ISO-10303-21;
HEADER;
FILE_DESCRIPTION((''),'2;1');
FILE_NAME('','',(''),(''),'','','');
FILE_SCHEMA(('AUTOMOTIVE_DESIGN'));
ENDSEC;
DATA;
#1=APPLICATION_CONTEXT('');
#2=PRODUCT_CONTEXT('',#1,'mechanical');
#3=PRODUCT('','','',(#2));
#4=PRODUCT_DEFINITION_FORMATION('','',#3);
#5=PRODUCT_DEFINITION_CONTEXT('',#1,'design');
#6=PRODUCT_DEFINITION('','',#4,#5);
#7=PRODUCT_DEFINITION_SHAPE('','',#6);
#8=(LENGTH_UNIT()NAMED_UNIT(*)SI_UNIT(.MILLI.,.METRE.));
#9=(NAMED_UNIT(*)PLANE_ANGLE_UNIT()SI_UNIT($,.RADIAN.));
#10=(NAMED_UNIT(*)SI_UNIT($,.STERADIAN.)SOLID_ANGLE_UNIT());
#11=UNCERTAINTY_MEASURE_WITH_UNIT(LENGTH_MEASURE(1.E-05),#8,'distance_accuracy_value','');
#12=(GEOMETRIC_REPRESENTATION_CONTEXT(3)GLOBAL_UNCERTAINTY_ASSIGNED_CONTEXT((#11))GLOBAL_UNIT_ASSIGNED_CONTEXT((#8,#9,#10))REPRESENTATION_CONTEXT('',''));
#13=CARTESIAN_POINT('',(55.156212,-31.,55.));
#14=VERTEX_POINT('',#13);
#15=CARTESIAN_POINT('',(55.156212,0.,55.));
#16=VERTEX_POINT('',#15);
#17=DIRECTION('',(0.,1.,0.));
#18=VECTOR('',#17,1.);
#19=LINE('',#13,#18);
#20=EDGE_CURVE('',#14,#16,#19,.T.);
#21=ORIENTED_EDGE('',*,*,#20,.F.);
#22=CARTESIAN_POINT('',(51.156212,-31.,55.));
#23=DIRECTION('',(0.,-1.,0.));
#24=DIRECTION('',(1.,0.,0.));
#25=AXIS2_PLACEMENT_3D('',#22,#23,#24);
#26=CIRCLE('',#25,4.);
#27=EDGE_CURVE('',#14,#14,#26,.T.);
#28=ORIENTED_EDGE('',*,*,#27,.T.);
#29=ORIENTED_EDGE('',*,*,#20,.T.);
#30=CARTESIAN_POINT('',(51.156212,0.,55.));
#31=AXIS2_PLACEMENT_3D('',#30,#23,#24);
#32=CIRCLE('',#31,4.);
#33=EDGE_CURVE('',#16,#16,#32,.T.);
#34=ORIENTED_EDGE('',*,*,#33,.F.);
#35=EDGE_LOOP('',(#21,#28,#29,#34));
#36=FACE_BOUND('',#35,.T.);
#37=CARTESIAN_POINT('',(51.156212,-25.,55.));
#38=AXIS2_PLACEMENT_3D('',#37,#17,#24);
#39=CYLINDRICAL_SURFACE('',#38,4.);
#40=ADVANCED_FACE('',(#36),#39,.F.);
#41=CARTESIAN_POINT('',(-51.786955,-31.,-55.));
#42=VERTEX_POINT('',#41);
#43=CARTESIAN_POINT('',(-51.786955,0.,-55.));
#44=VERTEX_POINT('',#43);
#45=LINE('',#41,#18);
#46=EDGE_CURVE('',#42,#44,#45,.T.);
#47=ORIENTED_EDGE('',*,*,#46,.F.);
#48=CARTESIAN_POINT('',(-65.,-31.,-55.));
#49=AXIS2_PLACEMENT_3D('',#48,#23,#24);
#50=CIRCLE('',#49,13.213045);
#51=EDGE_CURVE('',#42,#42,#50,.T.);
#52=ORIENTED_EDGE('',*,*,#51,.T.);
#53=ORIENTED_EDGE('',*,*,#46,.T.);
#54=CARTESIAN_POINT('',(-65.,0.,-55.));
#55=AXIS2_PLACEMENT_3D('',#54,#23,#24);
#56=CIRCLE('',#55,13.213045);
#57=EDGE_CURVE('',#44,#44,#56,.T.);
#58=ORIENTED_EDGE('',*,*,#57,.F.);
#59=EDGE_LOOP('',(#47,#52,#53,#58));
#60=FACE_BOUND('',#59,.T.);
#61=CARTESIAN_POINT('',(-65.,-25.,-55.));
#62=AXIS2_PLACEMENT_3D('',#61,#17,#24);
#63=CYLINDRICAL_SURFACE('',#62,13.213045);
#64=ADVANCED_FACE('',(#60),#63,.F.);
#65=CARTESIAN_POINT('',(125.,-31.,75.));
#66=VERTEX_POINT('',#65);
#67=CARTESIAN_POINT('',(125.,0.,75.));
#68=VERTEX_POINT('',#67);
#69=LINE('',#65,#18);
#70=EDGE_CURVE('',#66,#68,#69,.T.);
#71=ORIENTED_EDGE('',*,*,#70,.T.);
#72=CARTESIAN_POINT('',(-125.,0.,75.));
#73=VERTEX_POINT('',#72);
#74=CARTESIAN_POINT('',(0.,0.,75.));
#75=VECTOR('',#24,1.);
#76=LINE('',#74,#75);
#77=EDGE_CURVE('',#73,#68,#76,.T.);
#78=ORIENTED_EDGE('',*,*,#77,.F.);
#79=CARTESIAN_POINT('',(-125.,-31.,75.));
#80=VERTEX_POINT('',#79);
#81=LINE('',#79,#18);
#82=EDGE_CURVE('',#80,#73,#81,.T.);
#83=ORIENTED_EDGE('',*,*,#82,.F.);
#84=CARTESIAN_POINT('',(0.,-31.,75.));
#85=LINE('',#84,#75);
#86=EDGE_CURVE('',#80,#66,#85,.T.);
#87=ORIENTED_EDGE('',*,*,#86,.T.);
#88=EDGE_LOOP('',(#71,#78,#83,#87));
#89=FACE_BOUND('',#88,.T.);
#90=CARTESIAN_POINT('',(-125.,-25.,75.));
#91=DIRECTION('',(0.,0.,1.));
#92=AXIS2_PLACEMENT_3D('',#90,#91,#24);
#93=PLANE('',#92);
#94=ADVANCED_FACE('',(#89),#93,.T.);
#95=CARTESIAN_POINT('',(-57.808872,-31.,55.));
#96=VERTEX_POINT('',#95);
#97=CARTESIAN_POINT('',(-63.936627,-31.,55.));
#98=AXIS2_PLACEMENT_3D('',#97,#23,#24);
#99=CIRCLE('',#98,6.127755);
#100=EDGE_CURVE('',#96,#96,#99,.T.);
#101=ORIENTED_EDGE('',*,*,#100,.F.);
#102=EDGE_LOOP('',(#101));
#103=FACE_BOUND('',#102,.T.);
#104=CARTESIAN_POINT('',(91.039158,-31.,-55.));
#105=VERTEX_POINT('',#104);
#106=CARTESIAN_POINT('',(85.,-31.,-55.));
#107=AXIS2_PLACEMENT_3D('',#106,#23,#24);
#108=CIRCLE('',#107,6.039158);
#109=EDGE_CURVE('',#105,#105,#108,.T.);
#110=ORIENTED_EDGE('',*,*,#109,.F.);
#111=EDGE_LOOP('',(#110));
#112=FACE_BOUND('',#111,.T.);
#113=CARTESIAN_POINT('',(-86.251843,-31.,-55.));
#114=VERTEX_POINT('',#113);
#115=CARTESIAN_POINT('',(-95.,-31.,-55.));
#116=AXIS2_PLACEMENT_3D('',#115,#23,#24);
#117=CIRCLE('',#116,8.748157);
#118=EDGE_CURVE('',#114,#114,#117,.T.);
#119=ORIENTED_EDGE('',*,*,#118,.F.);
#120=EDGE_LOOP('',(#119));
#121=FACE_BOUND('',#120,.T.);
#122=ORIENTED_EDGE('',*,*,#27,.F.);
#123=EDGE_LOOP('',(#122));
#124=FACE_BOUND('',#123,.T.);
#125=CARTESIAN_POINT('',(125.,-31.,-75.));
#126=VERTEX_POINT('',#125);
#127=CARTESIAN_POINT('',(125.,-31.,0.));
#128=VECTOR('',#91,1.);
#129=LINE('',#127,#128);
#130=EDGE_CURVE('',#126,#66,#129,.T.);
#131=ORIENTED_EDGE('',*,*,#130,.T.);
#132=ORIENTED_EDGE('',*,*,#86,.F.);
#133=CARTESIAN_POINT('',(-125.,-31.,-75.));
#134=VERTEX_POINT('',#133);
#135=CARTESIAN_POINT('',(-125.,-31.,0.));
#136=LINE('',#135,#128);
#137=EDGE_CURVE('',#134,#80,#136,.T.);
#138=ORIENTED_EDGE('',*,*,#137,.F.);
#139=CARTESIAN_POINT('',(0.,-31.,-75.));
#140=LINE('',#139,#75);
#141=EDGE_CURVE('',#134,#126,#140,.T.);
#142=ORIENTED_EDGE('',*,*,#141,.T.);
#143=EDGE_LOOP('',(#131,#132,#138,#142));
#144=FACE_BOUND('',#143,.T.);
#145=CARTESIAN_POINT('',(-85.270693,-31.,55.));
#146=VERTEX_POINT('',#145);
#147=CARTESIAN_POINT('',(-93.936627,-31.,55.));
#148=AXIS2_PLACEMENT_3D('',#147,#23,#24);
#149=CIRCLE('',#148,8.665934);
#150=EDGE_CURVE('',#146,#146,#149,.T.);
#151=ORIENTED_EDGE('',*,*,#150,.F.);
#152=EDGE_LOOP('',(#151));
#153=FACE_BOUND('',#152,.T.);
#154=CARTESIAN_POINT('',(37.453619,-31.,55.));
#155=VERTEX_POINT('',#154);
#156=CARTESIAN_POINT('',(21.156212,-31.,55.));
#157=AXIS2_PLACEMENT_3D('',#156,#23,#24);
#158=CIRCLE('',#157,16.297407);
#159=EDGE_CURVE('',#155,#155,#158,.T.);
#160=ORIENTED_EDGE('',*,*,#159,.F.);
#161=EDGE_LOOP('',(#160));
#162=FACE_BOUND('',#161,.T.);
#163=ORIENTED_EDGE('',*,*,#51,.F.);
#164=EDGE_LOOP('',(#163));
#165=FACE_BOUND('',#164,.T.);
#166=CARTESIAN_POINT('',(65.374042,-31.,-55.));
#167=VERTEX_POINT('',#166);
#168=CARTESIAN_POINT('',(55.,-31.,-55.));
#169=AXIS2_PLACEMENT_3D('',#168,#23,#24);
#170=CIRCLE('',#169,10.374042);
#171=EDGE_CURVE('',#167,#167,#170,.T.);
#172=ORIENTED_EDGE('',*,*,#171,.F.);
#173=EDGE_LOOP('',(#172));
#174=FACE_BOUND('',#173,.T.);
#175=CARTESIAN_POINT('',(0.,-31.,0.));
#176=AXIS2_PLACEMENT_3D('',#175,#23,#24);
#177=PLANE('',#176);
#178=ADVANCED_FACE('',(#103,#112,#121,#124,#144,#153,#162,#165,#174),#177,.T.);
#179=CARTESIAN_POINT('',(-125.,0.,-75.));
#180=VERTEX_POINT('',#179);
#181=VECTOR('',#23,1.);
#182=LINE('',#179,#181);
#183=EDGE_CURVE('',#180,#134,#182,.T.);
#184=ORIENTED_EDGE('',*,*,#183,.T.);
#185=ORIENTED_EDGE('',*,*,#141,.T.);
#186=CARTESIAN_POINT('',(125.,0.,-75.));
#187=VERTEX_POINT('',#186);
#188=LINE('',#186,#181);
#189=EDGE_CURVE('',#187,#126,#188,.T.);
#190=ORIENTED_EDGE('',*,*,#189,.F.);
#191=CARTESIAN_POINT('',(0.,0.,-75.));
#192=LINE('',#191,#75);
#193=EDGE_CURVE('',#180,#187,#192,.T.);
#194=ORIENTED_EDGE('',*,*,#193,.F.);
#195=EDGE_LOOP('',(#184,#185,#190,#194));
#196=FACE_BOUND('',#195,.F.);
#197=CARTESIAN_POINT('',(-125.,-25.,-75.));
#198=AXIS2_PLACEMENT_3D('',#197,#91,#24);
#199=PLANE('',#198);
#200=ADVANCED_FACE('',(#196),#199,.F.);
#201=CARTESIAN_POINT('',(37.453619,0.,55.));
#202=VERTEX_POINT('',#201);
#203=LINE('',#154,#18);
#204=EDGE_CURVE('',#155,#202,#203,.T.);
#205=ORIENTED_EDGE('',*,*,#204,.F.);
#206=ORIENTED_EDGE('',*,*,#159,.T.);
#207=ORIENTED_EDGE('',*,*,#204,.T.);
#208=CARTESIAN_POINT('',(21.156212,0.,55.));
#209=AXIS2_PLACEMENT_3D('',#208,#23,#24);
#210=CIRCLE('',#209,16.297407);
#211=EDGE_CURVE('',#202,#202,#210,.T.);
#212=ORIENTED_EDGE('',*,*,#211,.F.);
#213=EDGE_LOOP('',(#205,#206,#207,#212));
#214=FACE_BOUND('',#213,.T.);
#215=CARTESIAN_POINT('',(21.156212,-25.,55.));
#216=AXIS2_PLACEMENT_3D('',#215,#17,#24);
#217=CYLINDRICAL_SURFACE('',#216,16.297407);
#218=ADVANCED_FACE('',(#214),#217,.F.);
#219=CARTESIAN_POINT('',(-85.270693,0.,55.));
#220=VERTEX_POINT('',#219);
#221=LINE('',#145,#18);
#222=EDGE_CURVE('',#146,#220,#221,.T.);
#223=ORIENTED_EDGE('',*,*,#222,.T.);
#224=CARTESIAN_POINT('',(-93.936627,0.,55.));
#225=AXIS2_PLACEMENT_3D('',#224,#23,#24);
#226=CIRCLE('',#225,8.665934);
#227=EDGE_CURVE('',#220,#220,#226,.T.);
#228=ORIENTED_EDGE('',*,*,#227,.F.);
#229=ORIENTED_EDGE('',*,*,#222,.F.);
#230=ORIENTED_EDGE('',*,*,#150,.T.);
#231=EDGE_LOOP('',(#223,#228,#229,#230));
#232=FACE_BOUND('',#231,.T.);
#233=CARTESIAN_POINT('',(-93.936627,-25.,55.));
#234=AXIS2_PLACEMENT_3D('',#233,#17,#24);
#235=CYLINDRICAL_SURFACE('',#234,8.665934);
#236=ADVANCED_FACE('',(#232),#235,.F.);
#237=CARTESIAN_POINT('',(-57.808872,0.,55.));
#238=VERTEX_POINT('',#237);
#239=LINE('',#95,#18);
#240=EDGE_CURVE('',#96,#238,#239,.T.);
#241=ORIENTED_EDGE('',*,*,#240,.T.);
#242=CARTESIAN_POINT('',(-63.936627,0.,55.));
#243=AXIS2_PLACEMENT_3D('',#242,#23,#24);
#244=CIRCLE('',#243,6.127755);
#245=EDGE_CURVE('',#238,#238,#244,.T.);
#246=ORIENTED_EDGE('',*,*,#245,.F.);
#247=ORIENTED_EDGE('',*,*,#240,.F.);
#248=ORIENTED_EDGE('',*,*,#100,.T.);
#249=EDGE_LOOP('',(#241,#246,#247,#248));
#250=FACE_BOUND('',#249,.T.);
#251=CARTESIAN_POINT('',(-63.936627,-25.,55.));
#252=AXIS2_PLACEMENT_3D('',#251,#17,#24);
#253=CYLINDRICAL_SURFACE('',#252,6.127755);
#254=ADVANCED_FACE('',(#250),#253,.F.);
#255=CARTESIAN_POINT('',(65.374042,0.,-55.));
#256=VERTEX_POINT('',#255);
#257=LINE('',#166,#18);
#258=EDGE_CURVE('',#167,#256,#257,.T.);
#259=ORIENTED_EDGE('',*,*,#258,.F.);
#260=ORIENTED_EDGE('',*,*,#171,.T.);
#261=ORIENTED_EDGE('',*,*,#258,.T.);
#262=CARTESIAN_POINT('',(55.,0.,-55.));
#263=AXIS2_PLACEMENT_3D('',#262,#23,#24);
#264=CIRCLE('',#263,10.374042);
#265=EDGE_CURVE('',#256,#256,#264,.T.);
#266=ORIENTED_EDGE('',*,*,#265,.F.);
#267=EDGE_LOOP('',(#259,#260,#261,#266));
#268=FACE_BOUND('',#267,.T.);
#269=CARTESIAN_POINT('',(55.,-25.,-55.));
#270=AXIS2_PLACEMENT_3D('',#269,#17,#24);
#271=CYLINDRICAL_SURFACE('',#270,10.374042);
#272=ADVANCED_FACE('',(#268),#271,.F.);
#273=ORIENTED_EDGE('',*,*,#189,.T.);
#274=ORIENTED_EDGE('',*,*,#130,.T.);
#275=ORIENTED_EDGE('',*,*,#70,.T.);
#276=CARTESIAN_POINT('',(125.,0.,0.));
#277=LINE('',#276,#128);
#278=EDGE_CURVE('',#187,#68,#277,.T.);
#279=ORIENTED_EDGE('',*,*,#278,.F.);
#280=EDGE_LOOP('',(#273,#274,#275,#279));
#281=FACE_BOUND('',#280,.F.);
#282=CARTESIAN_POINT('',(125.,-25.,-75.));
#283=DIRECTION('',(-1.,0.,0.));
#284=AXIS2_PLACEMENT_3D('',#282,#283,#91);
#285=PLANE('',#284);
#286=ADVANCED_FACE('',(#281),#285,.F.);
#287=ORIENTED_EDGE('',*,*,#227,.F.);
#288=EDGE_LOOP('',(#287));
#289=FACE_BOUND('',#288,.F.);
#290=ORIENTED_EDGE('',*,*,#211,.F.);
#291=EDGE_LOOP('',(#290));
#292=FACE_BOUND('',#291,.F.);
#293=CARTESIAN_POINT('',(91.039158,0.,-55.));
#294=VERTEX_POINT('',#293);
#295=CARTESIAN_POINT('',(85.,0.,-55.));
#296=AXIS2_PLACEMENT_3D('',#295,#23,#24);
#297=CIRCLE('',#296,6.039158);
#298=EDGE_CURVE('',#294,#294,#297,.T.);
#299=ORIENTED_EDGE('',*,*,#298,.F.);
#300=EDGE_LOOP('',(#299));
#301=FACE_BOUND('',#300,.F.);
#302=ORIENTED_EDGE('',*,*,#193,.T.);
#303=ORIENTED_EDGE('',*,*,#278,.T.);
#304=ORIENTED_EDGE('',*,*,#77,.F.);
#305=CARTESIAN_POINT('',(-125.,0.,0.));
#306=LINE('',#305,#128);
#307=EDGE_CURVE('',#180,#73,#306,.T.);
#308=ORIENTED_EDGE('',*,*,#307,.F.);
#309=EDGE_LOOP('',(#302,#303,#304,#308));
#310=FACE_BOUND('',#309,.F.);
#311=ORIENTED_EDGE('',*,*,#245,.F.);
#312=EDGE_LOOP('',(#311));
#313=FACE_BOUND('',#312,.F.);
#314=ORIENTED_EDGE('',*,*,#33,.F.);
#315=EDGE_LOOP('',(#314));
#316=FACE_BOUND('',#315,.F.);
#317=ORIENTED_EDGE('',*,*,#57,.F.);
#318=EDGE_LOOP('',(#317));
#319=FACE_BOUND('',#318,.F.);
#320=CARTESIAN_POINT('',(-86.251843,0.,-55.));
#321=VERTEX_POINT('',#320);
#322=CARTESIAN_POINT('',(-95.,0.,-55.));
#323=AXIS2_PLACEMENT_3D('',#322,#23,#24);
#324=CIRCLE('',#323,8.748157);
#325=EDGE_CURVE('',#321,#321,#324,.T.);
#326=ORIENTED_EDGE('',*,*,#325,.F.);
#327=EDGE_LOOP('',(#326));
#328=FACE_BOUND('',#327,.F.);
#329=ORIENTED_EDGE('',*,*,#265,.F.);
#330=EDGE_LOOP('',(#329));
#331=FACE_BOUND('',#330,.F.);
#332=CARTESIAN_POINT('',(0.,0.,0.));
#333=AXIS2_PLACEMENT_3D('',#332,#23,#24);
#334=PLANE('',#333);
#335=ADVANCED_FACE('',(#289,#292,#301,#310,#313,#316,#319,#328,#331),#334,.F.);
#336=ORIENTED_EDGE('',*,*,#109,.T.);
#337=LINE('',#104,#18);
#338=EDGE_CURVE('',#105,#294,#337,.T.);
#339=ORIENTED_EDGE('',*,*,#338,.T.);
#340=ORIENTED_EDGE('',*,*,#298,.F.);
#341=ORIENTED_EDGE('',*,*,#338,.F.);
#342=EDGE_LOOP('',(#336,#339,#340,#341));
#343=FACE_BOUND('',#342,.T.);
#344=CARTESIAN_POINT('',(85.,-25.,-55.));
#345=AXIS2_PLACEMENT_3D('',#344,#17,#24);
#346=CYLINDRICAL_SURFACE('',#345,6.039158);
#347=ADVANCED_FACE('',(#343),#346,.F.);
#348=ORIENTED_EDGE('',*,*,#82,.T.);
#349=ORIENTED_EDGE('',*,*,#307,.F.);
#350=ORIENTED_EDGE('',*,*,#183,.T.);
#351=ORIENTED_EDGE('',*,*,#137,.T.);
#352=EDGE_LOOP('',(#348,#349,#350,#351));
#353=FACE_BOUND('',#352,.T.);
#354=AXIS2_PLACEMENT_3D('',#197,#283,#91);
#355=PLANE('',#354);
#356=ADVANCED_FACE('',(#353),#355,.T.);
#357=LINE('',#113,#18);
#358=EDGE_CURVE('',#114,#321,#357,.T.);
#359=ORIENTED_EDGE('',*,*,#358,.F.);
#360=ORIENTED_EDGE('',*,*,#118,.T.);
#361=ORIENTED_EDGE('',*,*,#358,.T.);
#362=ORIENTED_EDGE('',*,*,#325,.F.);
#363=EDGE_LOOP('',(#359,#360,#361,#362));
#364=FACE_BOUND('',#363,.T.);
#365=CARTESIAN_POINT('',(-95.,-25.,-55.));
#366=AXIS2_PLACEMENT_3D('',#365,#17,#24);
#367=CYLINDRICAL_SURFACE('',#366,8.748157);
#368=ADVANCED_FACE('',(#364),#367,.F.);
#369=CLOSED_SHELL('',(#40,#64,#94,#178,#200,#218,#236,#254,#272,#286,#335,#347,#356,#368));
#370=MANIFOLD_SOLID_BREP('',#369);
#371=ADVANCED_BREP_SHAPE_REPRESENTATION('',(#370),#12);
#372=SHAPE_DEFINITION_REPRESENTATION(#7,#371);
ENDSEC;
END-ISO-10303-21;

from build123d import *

# Parameters (mm, degrees)
F0_W        = 250
F0_H        = 150
F0_R        = 8.748157
F0_R_2      = 13.213045
F0_R_3      = 10.374042
F0_R_4      = 6.039158
F0_R_5      = 8.665934
F0_R_6      = 6.127755
F0_R_7      = 16.297407
F0_R_8      = 4
F1_DEPTH    = 25
F1_FACE_W   = 250
F1_FACE_H   = 150
F1_FACE_R   = 8.748157
F1_FACE_R_2 = 13.213045
F1_FACE_R_3 = 10.374042
F1_FACE_R_4 = 6.039158
F1_FACE_R_5 = 8.665934
F1_FACE_R_6 = 6.127755
F1_FACE_R_7 = 16.297407
F1_FACE_R_8 = 4
F2_DEPTH    = 6


with BuildPart() as f1:
    # F0 (on Front) → F1 (new body)
    with BuildSketch(Plane.XZ):
        Rectangle(F0_W, F0_H)
        with Locations((-95, -55)):
            Circle(F0_R, mode=Mode.SUBTRACT)
        with Locations((-65, -55)):
            Circle(F0_R_2, mode=Mode.SUBTRACT)
        with Locations((55, -55)):
            Circle(F0_R_3, mode=Mode.SUBTRACT)
        with Locations((85, -55)):
            Circle(F0_R_4, mode=Mode.SUBTRACT)
        with Locations((-93.936627, 55)):
            Circle(F0_R_5, mode=Mode.SUBTRACT)
        with Locations((-63.936627, 55)):
            Circle(F0_R_6, mode=Mode.SUBTRACT)
        with Locations((21.156212, 55)):
            Circle(F0_R_7, mode=Mode.SUBTRACT)
        with Locations((51.156212, 55)):
            Circle(F0_R_8, mode=Mode.SUBTRACT)
    extrude(amount=F1_DEPTH)

    # F1_face (on face) → F2 (join)
    with BuildSketch(Plane(origin=(1.131833, -25, 0.004706), x_dir=(1, 0, 0), z_dir=(0, -1, 0))):
        with Locations((-1.131833, -0.004706)):
            Rectangle(F1_FACE_W, F1_FACE_H)
        with Locations((-96.131833, -55.004706)):
            Circle(F1_FACE_R, mode=Mode.SUBTRACT)
        with Locations((-66.131833, -55.004706)):
            Circle(F1_FACE_R_2, mode=Mode.SUBTRACT)
        with Locations((53.868167, -55.004706)):
            Circle(F1_FACE_R_3, mode=Mode.SUBTRACT)
        with Locations((83.868167, -55.004706)):
            Circle(F1_FACE_R_4, mode=Mode.SUBTRACT)
        with Locations((-95.06846, 54.995294)):
            Circle(F1_FACE_R_5, mode=Mode.SUBTRACT)
        with Locations((-65.06846, 54.995294)):
            Circle(F1_FACE_R_6, mode=Mode.SUBTRACT)
        with Locations((20.024379, 54.995294)):
            Circle(F1_FACE_R_7, mode=Mode.SUBTRACT)
        with Locations((50.024379, 54.995294)):
            Circle(F1_FACE_R_8, mode=Mode.SUBTRACT)
    extrude(amount=F2_DEPTH)


solid = f1.part
